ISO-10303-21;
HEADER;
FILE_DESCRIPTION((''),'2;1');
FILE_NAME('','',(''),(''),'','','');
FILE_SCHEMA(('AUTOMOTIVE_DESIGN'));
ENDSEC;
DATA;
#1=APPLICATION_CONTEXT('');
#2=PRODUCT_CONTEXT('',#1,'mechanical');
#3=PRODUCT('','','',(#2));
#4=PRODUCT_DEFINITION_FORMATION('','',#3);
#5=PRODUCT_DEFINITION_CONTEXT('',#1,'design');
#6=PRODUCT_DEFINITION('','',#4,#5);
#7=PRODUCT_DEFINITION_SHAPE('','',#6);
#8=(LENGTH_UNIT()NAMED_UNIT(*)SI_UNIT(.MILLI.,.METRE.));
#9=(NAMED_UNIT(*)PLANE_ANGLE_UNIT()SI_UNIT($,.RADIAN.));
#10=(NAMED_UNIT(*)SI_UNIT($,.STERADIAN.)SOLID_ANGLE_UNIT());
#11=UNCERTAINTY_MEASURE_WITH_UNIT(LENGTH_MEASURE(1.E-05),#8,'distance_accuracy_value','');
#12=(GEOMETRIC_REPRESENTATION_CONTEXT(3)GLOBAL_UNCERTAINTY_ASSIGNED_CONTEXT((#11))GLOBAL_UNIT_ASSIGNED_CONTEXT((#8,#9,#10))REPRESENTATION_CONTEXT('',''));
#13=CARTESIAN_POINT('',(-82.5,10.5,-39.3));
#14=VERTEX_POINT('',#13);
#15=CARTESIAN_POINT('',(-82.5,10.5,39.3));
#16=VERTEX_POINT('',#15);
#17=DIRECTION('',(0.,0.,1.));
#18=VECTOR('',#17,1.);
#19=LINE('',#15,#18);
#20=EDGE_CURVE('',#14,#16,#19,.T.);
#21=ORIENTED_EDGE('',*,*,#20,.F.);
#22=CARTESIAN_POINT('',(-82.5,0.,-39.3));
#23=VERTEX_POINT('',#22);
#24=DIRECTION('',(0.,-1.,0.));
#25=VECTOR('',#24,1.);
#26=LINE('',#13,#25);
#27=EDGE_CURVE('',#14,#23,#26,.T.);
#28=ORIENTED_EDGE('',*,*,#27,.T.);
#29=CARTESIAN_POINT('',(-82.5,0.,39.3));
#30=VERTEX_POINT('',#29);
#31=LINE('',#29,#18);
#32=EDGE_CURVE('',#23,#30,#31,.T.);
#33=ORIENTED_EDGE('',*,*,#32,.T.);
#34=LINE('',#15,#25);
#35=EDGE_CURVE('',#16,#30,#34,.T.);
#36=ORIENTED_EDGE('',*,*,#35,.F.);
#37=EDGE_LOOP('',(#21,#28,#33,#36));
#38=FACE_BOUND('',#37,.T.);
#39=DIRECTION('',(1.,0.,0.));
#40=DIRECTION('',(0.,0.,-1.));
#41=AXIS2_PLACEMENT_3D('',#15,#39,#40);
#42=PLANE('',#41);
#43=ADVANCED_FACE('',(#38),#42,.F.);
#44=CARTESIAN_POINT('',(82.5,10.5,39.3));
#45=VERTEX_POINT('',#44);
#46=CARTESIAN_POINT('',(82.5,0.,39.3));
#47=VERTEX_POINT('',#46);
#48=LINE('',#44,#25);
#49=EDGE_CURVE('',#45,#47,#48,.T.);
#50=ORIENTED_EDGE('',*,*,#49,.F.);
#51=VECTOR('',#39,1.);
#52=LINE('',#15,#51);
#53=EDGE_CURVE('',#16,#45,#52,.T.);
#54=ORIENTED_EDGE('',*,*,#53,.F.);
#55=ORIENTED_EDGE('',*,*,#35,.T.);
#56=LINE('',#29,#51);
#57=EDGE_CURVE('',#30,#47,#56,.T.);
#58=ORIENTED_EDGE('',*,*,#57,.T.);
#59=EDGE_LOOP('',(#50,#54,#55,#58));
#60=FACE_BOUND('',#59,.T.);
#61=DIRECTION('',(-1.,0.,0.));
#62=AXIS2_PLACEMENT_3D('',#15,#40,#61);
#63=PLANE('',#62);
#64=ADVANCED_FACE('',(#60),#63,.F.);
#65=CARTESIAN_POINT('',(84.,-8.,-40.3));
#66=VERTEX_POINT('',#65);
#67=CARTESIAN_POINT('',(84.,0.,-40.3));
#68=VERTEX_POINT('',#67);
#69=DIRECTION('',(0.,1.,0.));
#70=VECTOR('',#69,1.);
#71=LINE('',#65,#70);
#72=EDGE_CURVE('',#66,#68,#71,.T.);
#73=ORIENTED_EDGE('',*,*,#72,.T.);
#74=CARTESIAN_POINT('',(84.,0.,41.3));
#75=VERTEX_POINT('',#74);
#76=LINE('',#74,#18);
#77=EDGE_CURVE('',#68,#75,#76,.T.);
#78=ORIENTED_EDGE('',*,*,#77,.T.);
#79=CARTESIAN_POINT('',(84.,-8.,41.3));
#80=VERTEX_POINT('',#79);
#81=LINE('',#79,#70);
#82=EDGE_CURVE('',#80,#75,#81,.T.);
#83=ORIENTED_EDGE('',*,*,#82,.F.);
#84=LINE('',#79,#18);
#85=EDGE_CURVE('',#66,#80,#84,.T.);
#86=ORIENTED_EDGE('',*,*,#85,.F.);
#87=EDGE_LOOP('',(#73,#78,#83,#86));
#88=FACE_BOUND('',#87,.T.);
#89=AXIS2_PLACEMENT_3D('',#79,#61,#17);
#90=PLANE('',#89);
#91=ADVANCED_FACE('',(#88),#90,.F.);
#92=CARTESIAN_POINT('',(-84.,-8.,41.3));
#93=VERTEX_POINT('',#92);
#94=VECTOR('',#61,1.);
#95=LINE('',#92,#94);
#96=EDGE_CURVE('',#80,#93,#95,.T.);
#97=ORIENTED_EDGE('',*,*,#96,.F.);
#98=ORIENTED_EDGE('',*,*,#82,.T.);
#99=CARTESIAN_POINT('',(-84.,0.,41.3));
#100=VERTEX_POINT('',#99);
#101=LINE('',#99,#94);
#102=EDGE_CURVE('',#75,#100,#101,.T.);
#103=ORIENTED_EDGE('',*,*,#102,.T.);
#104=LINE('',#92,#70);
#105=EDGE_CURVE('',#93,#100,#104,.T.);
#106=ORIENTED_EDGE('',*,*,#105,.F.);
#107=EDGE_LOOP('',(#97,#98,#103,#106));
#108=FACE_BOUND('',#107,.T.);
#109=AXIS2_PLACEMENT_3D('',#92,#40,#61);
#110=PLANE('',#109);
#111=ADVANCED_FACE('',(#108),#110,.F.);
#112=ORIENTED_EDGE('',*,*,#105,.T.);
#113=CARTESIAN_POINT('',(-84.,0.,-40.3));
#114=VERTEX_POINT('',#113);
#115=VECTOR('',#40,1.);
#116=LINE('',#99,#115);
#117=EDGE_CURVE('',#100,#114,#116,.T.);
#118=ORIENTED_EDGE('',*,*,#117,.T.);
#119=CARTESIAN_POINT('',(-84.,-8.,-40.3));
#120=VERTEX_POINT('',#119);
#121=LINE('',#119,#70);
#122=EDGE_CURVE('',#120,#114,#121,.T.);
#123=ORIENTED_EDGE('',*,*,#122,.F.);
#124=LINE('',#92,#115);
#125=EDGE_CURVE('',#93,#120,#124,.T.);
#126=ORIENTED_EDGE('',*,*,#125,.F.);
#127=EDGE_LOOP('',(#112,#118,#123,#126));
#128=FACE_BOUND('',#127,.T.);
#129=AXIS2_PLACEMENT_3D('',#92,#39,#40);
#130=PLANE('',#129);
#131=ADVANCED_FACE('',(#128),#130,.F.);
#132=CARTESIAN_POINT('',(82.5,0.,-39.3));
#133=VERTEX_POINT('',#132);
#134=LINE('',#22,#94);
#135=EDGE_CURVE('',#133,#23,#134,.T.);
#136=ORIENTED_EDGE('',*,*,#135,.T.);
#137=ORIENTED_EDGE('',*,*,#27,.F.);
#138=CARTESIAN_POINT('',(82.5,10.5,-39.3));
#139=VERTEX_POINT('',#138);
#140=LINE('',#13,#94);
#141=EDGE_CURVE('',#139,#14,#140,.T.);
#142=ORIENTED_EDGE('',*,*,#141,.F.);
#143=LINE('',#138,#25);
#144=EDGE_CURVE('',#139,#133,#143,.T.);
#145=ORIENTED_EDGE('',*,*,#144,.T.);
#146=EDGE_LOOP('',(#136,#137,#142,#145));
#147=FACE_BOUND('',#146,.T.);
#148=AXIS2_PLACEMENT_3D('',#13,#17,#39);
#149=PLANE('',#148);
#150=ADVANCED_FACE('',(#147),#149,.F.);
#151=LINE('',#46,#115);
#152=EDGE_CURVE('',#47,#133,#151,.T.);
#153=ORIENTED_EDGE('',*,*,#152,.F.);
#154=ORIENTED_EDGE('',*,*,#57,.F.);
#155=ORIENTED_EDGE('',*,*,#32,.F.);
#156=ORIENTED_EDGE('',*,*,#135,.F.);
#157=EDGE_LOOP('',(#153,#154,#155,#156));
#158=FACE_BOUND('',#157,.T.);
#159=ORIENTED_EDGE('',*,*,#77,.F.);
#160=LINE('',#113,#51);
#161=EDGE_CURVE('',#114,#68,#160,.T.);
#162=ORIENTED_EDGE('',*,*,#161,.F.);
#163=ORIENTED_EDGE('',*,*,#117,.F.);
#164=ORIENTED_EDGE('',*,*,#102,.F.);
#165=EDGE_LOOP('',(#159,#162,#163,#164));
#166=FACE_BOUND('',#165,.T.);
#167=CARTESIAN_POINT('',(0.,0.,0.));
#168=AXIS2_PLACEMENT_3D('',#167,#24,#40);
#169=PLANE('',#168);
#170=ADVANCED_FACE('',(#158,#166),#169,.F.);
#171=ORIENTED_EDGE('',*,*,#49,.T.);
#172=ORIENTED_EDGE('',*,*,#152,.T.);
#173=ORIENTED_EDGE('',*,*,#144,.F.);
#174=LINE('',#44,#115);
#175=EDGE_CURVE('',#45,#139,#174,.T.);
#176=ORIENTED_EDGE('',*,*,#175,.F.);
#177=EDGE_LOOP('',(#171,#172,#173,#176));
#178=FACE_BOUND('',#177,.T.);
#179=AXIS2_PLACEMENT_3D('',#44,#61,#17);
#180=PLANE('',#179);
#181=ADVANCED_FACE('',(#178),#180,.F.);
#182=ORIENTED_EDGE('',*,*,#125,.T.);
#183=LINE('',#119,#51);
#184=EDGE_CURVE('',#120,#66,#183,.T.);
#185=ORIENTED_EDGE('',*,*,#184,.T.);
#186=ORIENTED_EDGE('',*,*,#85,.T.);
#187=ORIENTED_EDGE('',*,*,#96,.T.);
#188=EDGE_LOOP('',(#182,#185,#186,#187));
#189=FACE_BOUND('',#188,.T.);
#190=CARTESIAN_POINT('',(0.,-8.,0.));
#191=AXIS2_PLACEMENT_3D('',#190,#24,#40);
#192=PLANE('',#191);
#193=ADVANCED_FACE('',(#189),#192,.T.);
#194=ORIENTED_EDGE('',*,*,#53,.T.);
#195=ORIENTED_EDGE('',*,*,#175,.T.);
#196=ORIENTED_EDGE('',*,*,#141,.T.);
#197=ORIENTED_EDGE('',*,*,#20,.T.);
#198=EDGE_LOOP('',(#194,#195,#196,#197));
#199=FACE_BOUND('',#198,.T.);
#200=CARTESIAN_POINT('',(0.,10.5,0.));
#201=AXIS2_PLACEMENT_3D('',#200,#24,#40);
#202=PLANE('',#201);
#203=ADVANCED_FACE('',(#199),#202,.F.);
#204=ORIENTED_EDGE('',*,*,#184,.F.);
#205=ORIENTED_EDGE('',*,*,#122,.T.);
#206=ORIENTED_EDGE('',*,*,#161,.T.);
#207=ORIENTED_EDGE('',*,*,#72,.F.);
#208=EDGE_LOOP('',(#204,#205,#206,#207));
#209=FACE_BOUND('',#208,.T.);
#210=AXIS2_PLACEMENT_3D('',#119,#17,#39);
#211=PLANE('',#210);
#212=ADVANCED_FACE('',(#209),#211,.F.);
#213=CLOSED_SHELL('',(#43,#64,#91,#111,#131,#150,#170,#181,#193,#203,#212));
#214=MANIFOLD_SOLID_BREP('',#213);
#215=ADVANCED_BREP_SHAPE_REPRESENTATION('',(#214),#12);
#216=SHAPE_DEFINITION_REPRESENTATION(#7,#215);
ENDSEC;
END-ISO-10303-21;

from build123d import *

# Parameters (mm, degrees)
SKETCH1_W           = 165
SKETCH1_H           = 78.6
BOSS_EXTRUDE1_DEPTH = 10.5
SKETCH2_W           = 168
SKETCH2_H           = 81.6
BOSS_EXTRUDE2_DEPTH = 8


with BuildPart() as part:
    # Sketch1 → Boss-Extrude1 (new body)
    with BuildSketch(Plane(origin=(0, 0, 0), x_dir=(1, 0, 0), z_dir=(0, 1, 0))):
        Rectangle(SKETCH1_W, SKETCH1_H)
    extrude(amount=BOSS_EXTRUDE1_DEPTH)

    # Sketch2 → Boss-Extrude2 (add)
    with BuildSketch(Plane.XZ):
        with Locations((0, 0.5)):
            Rectangle(SKETCH2_W, SKETCH2_H)
    extrude(amount=BOSS_EXTRUDE2_DEPTH)


solid = part.part
